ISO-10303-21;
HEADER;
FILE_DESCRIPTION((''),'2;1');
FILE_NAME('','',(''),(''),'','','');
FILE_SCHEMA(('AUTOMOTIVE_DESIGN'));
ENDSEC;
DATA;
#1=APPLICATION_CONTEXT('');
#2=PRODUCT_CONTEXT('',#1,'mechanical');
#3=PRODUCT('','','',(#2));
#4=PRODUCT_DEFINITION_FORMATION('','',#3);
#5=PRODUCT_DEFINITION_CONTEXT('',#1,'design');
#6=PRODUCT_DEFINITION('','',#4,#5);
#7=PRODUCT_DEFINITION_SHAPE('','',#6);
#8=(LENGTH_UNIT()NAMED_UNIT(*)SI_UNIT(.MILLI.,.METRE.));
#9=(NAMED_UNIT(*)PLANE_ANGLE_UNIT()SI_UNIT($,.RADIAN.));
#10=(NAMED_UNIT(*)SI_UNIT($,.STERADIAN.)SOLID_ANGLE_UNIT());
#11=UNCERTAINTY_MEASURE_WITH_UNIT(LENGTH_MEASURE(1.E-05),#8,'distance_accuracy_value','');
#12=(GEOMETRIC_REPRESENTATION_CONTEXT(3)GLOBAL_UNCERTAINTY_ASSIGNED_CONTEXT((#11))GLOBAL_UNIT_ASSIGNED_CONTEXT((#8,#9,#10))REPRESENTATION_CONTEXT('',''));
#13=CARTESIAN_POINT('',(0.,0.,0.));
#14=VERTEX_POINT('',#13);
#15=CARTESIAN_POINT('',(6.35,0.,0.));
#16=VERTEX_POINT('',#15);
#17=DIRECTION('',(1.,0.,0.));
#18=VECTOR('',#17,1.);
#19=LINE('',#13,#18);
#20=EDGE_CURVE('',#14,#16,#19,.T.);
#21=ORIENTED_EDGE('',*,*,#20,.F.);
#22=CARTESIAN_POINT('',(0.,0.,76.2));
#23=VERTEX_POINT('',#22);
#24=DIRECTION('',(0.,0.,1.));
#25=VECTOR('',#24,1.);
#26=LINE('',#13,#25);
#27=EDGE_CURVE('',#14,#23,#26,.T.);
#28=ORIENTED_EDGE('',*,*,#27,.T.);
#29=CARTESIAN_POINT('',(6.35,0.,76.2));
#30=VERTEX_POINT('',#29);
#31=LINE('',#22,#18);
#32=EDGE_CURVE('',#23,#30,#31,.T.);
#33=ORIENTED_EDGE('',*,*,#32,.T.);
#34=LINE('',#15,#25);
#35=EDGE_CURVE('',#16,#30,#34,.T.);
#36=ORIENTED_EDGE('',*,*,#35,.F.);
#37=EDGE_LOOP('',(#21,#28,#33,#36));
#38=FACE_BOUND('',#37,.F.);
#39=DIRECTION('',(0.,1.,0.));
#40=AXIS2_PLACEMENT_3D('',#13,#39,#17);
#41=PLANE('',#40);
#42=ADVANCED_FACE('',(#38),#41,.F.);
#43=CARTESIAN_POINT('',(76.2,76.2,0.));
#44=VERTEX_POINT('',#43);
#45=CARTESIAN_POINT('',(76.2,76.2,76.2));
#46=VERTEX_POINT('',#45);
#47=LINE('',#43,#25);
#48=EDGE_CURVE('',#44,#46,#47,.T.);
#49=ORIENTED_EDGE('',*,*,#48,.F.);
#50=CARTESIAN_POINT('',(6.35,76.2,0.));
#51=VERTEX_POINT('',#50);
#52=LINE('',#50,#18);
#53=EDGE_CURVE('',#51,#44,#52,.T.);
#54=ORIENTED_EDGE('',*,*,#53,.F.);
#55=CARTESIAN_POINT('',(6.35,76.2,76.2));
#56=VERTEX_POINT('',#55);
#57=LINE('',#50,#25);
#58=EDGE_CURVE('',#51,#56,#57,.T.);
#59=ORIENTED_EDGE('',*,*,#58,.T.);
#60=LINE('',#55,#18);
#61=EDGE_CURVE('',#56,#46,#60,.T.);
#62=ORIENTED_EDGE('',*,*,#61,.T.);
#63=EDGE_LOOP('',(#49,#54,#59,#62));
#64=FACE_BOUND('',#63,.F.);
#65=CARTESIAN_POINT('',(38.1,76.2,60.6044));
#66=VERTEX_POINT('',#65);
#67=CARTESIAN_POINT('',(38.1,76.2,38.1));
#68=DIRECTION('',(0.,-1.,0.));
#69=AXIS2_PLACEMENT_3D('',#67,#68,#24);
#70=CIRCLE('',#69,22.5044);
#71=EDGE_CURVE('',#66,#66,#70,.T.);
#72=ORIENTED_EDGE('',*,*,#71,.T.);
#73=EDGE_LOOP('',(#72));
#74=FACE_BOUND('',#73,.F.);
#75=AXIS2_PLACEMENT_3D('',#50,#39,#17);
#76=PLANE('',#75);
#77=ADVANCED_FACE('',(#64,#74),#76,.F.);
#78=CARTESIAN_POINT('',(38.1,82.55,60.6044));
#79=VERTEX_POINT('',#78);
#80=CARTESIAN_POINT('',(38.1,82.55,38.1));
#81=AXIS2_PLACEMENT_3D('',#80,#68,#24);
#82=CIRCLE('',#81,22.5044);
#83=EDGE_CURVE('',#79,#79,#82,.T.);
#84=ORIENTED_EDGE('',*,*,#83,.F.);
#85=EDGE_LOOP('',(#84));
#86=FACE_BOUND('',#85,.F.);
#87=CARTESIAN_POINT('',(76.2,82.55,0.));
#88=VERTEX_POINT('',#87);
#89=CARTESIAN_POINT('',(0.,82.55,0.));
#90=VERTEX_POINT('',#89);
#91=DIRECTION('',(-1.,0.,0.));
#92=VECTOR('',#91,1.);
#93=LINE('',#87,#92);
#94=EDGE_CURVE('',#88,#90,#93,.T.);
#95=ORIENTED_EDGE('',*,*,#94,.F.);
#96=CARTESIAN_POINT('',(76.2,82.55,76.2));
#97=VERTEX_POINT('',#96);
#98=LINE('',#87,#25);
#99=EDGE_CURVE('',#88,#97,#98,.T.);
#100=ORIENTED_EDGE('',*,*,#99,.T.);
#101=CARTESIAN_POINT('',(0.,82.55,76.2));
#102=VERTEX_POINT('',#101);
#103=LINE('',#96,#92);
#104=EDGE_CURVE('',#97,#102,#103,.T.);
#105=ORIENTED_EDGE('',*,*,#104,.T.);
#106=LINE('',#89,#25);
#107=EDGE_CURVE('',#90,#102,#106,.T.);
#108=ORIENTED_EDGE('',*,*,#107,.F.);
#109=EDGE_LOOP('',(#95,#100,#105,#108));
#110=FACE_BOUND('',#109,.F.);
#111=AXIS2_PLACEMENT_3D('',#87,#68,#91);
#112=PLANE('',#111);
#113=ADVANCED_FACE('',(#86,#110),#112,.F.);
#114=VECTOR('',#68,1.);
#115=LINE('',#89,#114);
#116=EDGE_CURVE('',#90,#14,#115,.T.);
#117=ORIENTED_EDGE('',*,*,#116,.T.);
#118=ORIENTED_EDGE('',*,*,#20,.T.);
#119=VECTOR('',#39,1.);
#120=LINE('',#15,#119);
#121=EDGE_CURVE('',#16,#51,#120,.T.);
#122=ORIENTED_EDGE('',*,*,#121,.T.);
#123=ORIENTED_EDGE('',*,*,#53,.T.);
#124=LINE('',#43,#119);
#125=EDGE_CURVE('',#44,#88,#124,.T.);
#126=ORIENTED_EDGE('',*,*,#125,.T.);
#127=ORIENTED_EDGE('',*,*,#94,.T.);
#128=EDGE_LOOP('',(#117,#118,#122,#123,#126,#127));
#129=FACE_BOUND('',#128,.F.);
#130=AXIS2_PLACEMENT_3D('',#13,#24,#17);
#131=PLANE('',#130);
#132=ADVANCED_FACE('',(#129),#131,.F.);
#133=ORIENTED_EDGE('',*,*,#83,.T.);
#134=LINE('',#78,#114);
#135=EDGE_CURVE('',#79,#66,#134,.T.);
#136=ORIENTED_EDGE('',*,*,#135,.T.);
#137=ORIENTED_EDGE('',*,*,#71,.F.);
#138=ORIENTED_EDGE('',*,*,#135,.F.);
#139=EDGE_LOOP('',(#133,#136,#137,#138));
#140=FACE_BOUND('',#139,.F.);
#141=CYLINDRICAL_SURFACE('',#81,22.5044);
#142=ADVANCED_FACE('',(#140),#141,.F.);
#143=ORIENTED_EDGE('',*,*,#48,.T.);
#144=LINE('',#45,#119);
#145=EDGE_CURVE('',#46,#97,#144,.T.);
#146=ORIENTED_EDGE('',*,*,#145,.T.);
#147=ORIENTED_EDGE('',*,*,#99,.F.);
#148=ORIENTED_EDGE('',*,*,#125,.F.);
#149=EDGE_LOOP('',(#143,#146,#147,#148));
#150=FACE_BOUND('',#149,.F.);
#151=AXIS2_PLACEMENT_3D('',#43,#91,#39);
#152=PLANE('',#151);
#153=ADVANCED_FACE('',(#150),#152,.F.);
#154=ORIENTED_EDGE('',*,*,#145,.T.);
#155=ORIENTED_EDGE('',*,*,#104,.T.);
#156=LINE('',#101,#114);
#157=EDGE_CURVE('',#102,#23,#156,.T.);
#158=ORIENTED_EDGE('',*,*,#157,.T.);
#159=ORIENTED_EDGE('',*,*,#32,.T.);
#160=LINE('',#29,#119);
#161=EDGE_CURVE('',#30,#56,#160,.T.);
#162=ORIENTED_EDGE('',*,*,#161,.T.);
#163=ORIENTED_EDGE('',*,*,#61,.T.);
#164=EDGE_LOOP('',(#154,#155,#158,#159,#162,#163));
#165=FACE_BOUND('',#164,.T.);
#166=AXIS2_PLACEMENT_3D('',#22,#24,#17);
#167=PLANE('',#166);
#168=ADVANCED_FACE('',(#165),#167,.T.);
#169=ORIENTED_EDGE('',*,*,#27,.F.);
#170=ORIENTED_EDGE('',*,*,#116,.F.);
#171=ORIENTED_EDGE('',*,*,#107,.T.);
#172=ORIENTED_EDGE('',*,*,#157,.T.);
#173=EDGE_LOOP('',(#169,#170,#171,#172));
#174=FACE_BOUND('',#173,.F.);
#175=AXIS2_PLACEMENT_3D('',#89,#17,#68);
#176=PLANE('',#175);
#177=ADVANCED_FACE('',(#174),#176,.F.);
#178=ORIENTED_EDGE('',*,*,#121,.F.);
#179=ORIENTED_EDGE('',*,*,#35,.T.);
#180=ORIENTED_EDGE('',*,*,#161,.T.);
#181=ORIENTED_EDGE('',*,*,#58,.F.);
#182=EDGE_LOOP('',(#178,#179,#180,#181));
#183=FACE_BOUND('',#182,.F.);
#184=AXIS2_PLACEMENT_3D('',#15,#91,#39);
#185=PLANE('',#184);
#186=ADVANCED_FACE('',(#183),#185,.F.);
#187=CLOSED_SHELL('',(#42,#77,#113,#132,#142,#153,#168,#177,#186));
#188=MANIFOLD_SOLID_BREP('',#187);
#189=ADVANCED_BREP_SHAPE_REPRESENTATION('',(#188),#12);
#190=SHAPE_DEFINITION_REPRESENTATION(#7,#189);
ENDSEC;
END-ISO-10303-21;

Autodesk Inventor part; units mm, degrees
ref_plane "YZ Plane" through (0, 0, 0) normal (1, 0, 0) x (0, 1, 0)
ref_plane "XZ Plane" through (0, 0, 0) normal (0, 1, 0) x (-1, 0, 0)
ref_plane "XY Plane" through (0, 0, 0) normal (0, 0, 1) x (1, 0, 0)
sketch "Sketch1" plane through (0, 0, 0) normal (0, 0, 1) x (1, 0, 0)
  line L0 (0, 0) -> (6.35, 0)
  line L1 (6.35, 0) -> (6.35, 76.2)
  line L2 (6.35, 76.2) -> (76.2, 76.2)
  line L3 (76.2, 76.2) -> (76.2, 82.55)
  line L4 (76.2, 82.55) -> (0, 82.55)
  line L5 (0, 82.55) -> (0, 0)
  dimension "d0" = 6.35
  dimension "d1" = 76.2
  dimension "d2" = 90
  dimension "d3" = 69.85
  dimension "d4" = 6.35
extrude "Extrusion1" add sketch "Sketch1" along normal blind 76.2
hole "Hole1" at (38.1, 82.55, 38.1) direction (0, -1, 0) diameter 45.0088 end through all
properties part number "motorbracket"
